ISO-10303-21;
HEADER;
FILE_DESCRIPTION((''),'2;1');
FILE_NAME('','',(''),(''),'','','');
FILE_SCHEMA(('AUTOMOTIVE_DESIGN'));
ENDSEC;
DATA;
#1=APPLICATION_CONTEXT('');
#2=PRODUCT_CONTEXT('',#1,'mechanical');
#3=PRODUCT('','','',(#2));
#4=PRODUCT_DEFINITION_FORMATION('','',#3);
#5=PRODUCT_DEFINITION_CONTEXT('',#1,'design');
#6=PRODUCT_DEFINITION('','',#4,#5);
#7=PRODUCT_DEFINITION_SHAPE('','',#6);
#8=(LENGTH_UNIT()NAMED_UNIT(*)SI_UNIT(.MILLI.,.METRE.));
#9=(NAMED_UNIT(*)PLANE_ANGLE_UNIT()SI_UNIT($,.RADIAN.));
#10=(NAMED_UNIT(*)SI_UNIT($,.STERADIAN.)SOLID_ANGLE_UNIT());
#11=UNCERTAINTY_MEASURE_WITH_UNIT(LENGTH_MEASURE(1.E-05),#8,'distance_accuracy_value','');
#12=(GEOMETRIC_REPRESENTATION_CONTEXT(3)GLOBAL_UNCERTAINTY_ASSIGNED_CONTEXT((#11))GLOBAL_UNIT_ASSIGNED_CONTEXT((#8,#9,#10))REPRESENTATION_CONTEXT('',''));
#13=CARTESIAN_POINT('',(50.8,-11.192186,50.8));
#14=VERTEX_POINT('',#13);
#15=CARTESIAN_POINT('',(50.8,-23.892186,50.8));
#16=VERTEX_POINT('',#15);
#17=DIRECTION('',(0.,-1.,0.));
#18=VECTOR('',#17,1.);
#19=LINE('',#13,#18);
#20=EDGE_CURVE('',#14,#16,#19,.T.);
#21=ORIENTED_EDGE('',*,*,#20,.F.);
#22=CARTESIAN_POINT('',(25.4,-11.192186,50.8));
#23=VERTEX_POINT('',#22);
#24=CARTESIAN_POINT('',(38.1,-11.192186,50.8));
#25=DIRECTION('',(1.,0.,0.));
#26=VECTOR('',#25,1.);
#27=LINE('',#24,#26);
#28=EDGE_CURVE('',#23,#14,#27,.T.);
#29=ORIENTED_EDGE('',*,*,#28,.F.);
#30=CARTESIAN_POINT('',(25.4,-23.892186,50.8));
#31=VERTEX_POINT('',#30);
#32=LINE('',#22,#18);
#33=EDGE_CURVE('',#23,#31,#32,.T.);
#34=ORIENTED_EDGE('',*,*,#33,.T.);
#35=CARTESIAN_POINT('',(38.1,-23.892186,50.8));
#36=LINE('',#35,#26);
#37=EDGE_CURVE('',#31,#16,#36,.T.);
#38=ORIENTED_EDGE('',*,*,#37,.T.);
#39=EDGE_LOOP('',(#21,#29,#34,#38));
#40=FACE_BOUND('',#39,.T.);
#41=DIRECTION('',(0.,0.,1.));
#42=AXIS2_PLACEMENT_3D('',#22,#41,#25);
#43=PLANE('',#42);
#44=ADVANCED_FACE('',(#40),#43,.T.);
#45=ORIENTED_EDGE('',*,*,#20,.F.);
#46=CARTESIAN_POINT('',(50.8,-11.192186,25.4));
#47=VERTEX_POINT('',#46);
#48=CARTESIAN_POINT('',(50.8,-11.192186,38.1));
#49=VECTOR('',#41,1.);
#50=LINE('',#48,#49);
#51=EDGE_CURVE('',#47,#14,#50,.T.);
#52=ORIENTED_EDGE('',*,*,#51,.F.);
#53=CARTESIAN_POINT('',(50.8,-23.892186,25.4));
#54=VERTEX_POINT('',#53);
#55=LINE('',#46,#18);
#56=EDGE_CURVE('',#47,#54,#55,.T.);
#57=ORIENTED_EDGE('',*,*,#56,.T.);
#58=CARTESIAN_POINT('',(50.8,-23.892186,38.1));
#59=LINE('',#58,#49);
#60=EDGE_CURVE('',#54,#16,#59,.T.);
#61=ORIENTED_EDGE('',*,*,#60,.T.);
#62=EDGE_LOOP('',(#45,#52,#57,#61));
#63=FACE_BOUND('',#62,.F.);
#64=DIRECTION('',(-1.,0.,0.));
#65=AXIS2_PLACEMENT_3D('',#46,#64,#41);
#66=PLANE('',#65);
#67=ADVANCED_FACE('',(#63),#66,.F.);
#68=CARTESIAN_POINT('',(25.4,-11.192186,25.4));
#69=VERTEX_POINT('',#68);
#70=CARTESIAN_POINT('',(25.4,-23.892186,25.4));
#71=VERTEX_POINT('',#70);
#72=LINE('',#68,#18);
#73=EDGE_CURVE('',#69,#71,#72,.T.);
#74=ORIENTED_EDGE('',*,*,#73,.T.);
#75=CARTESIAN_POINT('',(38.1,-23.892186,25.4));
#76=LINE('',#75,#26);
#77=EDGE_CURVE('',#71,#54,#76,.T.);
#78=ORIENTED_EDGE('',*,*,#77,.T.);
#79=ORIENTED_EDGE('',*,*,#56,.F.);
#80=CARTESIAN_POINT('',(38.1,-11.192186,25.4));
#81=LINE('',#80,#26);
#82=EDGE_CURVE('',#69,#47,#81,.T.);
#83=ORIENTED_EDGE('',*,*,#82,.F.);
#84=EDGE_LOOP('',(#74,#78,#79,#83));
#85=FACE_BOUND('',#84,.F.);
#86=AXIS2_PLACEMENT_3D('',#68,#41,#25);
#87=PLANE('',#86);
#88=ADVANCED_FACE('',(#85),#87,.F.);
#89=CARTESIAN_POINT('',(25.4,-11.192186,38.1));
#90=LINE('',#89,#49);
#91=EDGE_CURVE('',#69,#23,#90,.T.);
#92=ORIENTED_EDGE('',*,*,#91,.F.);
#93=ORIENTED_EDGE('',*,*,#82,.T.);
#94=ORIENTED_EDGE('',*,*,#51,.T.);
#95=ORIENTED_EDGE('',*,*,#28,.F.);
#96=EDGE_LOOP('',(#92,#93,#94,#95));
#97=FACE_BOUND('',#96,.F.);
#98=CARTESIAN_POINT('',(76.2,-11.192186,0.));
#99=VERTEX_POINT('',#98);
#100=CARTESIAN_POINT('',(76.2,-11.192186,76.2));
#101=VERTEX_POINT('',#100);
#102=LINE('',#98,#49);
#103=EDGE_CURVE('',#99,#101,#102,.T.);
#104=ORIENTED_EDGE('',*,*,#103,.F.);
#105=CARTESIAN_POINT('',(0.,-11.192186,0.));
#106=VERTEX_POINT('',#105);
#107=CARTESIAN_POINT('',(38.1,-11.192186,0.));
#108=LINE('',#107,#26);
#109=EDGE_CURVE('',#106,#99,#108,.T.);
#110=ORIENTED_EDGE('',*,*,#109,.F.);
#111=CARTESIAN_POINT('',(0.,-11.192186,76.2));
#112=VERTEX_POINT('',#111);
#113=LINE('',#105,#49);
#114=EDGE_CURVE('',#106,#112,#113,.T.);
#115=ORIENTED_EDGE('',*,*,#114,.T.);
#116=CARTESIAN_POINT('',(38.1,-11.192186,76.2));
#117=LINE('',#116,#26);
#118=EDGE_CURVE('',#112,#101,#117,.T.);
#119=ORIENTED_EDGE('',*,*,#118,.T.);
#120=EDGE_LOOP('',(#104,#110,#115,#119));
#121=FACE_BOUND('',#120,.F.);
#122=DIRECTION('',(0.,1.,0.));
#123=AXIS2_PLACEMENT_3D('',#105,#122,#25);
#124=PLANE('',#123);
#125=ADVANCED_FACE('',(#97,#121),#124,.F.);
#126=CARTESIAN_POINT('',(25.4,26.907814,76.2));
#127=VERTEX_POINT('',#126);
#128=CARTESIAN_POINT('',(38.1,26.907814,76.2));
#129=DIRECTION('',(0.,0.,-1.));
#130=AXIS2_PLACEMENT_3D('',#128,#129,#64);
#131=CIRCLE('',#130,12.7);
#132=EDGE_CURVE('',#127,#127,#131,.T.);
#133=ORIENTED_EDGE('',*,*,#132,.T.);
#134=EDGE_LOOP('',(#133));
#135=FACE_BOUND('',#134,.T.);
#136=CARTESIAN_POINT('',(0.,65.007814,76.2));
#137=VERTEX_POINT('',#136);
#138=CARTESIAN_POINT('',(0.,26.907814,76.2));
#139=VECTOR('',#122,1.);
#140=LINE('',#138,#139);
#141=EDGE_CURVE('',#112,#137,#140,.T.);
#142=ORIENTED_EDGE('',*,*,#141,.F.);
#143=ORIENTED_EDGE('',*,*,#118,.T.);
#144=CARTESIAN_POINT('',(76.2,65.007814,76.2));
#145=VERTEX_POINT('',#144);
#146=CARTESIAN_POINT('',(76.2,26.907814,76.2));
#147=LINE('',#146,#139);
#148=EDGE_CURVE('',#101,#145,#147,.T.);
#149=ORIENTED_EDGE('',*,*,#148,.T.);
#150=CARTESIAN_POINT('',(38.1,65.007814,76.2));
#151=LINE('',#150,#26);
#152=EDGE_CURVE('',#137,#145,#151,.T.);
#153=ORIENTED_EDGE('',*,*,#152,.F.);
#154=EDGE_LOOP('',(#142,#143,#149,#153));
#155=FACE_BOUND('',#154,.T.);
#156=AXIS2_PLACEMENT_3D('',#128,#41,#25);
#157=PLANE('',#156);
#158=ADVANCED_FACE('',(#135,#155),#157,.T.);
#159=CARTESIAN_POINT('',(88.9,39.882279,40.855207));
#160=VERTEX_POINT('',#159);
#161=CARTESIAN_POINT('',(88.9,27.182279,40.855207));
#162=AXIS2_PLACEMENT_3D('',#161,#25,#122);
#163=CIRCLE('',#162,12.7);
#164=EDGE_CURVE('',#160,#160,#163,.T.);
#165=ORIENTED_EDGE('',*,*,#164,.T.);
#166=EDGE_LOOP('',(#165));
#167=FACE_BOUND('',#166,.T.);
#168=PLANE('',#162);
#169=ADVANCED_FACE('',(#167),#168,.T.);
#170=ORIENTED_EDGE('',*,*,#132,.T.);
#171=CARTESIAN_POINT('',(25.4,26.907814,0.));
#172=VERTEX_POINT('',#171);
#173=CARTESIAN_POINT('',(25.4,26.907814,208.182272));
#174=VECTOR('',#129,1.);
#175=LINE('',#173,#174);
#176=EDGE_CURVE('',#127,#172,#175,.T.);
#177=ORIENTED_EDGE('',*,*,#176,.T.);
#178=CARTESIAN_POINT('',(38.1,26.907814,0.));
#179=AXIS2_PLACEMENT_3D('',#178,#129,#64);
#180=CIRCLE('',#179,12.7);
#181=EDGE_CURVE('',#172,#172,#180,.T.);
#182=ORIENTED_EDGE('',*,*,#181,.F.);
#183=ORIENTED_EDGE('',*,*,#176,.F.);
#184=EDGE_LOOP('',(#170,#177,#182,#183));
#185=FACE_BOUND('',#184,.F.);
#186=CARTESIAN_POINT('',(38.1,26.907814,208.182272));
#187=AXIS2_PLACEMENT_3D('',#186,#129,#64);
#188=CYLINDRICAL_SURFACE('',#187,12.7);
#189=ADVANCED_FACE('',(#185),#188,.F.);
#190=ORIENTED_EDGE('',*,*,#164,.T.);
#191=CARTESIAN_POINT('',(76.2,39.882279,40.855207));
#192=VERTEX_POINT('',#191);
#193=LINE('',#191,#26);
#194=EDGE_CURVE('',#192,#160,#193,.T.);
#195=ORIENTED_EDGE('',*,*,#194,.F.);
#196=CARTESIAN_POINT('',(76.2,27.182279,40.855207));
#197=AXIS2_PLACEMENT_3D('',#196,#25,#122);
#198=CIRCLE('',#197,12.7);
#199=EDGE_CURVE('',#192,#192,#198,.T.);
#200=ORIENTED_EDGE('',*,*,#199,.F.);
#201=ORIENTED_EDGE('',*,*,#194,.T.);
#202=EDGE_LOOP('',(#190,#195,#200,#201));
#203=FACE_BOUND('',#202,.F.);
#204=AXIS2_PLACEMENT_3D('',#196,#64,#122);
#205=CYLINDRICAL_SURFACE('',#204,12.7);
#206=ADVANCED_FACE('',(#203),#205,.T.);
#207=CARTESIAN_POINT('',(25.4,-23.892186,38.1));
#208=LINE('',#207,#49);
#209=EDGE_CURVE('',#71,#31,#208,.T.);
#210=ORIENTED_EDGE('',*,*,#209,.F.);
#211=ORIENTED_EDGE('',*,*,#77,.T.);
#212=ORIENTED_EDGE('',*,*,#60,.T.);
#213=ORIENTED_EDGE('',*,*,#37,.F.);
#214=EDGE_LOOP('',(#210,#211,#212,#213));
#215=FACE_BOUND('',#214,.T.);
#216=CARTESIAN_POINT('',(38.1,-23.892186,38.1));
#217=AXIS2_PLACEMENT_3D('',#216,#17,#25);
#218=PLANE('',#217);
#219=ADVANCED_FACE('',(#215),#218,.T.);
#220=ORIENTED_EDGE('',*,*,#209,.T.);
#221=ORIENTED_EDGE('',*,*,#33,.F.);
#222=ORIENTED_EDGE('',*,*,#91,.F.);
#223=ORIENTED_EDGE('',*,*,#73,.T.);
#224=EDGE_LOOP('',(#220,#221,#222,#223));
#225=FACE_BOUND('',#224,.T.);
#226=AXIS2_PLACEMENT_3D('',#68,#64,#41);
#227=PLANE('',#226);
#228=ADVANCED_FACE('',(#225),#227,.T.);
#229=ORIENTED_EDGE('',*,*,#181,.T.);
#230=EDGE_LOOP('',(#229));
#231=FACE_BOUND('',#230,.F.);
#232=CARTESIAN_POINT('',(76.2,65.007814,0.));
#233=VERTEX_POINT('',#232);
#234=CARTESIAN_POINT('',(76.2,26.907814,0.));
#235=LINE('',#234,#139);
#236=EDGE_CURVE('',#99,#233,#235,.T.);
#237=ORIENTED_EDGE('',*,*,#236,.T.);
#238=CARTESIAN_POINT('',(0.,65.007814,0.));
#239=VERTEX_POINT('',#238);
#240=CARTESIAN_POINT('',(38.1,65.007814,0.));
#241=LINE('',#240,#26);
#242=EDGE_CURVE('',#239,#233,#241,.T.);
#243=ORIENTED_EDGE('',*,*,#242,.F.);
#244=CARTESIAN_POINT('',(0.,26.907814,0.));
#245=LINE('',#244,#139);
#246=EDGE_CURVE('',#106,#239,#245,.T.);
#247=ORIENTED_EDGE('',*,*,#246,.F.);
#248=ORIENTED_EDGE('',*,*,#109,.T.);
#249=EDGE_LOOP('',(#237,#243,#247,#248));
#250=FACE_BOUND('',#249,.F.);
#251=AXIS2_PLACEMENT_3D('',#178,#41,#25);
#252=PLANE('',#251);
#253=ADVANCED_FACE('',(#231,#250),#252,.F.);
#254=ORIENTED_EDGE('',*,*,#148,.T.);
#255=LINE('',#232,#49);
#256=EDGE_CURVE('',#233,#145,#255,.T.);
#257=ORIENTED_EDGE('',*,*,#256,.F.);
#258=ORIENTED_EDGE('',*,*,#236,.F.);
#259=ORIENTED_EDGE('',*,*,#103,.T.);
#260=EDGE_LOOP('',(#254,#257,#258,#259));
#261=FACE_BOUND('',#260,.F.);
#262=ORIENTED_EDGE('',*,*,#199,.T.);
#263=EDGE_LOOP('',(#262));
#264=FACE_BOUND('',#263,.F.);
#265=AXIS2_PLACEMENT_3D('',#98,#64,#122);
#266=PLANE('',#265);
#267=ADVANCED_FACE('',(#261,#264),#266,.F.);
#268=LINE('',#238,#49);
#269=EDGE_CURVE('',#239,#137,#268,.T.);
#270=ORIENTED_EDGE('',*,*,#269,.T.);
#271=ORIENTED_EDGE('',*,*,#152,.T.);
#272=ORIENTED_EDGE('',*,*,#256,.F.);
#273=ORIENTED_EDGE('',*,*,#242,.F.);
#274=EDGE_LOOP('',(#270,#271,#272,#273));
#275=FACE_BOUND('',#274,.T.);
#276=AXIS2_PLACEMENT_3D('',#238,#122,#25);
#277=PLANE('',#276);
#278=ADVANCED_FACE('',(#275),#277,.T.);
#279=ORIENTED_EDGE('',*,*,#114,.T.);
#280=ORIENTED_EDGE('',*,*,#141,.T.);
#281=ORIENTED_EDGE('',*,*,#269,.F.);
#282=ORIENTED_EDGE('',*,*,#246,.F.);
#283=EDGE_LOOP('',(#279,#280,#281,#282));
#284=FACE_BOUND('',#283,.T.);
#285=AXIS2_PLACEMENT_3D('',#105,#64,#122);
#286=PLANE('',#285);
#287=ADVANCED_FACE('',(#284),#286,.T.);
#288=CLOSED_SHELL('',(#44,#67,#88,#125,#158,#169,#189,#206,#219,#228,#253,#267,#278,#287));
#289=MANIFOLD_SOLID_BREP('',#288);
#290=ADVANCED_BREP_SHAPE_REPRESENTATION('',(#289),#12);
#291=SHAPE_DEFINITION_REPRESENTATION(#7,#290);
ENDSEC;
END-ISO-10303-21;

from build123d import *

# Parameters (mm, degrees)
F0_W     = 76.2
F0_H     = 76.2
F1_DEPTH = 76.2
F3_D     = 25.4
F4_W     = 25.4
F4_H     = 25.4
F5_DEPTH = 12.7
F6_R     = 12.7
F7_DEPTH = 12.7


with BuildPart() as f1:
    # F0 (on Top) → F1 (new body)
    with BuildSketch(Plane.XY):
        with Locations((38.1, 26.907814)):
            Rectangle(F0_W, F0_H)
    extrude(amount=F1_DEPTH)

    # F3 (through all)
    with Locations(Plane.XY.offset(76.2)):
        with Locations((38.1, 26.907814)):
            Hole(F3_D / 2)

    # F4 (on face) → F5 (join)
    with BuildSketch(Plane.XZ.offset(11.192186)):
        with Locations((38.1, 38.1)):
            Rectangle(F4_W, F4_H)
    extrude(amount=F5_DEPTH)

    # F6 (on face) → F7 (join)
    with BuildSketch(Plane.YZ.offset(76.2)):
        with Locations((27.182279, 40.855207)):
            Circle(F6_R)
    extrude(amount=F7_DEPTH)


solid = f1.part
